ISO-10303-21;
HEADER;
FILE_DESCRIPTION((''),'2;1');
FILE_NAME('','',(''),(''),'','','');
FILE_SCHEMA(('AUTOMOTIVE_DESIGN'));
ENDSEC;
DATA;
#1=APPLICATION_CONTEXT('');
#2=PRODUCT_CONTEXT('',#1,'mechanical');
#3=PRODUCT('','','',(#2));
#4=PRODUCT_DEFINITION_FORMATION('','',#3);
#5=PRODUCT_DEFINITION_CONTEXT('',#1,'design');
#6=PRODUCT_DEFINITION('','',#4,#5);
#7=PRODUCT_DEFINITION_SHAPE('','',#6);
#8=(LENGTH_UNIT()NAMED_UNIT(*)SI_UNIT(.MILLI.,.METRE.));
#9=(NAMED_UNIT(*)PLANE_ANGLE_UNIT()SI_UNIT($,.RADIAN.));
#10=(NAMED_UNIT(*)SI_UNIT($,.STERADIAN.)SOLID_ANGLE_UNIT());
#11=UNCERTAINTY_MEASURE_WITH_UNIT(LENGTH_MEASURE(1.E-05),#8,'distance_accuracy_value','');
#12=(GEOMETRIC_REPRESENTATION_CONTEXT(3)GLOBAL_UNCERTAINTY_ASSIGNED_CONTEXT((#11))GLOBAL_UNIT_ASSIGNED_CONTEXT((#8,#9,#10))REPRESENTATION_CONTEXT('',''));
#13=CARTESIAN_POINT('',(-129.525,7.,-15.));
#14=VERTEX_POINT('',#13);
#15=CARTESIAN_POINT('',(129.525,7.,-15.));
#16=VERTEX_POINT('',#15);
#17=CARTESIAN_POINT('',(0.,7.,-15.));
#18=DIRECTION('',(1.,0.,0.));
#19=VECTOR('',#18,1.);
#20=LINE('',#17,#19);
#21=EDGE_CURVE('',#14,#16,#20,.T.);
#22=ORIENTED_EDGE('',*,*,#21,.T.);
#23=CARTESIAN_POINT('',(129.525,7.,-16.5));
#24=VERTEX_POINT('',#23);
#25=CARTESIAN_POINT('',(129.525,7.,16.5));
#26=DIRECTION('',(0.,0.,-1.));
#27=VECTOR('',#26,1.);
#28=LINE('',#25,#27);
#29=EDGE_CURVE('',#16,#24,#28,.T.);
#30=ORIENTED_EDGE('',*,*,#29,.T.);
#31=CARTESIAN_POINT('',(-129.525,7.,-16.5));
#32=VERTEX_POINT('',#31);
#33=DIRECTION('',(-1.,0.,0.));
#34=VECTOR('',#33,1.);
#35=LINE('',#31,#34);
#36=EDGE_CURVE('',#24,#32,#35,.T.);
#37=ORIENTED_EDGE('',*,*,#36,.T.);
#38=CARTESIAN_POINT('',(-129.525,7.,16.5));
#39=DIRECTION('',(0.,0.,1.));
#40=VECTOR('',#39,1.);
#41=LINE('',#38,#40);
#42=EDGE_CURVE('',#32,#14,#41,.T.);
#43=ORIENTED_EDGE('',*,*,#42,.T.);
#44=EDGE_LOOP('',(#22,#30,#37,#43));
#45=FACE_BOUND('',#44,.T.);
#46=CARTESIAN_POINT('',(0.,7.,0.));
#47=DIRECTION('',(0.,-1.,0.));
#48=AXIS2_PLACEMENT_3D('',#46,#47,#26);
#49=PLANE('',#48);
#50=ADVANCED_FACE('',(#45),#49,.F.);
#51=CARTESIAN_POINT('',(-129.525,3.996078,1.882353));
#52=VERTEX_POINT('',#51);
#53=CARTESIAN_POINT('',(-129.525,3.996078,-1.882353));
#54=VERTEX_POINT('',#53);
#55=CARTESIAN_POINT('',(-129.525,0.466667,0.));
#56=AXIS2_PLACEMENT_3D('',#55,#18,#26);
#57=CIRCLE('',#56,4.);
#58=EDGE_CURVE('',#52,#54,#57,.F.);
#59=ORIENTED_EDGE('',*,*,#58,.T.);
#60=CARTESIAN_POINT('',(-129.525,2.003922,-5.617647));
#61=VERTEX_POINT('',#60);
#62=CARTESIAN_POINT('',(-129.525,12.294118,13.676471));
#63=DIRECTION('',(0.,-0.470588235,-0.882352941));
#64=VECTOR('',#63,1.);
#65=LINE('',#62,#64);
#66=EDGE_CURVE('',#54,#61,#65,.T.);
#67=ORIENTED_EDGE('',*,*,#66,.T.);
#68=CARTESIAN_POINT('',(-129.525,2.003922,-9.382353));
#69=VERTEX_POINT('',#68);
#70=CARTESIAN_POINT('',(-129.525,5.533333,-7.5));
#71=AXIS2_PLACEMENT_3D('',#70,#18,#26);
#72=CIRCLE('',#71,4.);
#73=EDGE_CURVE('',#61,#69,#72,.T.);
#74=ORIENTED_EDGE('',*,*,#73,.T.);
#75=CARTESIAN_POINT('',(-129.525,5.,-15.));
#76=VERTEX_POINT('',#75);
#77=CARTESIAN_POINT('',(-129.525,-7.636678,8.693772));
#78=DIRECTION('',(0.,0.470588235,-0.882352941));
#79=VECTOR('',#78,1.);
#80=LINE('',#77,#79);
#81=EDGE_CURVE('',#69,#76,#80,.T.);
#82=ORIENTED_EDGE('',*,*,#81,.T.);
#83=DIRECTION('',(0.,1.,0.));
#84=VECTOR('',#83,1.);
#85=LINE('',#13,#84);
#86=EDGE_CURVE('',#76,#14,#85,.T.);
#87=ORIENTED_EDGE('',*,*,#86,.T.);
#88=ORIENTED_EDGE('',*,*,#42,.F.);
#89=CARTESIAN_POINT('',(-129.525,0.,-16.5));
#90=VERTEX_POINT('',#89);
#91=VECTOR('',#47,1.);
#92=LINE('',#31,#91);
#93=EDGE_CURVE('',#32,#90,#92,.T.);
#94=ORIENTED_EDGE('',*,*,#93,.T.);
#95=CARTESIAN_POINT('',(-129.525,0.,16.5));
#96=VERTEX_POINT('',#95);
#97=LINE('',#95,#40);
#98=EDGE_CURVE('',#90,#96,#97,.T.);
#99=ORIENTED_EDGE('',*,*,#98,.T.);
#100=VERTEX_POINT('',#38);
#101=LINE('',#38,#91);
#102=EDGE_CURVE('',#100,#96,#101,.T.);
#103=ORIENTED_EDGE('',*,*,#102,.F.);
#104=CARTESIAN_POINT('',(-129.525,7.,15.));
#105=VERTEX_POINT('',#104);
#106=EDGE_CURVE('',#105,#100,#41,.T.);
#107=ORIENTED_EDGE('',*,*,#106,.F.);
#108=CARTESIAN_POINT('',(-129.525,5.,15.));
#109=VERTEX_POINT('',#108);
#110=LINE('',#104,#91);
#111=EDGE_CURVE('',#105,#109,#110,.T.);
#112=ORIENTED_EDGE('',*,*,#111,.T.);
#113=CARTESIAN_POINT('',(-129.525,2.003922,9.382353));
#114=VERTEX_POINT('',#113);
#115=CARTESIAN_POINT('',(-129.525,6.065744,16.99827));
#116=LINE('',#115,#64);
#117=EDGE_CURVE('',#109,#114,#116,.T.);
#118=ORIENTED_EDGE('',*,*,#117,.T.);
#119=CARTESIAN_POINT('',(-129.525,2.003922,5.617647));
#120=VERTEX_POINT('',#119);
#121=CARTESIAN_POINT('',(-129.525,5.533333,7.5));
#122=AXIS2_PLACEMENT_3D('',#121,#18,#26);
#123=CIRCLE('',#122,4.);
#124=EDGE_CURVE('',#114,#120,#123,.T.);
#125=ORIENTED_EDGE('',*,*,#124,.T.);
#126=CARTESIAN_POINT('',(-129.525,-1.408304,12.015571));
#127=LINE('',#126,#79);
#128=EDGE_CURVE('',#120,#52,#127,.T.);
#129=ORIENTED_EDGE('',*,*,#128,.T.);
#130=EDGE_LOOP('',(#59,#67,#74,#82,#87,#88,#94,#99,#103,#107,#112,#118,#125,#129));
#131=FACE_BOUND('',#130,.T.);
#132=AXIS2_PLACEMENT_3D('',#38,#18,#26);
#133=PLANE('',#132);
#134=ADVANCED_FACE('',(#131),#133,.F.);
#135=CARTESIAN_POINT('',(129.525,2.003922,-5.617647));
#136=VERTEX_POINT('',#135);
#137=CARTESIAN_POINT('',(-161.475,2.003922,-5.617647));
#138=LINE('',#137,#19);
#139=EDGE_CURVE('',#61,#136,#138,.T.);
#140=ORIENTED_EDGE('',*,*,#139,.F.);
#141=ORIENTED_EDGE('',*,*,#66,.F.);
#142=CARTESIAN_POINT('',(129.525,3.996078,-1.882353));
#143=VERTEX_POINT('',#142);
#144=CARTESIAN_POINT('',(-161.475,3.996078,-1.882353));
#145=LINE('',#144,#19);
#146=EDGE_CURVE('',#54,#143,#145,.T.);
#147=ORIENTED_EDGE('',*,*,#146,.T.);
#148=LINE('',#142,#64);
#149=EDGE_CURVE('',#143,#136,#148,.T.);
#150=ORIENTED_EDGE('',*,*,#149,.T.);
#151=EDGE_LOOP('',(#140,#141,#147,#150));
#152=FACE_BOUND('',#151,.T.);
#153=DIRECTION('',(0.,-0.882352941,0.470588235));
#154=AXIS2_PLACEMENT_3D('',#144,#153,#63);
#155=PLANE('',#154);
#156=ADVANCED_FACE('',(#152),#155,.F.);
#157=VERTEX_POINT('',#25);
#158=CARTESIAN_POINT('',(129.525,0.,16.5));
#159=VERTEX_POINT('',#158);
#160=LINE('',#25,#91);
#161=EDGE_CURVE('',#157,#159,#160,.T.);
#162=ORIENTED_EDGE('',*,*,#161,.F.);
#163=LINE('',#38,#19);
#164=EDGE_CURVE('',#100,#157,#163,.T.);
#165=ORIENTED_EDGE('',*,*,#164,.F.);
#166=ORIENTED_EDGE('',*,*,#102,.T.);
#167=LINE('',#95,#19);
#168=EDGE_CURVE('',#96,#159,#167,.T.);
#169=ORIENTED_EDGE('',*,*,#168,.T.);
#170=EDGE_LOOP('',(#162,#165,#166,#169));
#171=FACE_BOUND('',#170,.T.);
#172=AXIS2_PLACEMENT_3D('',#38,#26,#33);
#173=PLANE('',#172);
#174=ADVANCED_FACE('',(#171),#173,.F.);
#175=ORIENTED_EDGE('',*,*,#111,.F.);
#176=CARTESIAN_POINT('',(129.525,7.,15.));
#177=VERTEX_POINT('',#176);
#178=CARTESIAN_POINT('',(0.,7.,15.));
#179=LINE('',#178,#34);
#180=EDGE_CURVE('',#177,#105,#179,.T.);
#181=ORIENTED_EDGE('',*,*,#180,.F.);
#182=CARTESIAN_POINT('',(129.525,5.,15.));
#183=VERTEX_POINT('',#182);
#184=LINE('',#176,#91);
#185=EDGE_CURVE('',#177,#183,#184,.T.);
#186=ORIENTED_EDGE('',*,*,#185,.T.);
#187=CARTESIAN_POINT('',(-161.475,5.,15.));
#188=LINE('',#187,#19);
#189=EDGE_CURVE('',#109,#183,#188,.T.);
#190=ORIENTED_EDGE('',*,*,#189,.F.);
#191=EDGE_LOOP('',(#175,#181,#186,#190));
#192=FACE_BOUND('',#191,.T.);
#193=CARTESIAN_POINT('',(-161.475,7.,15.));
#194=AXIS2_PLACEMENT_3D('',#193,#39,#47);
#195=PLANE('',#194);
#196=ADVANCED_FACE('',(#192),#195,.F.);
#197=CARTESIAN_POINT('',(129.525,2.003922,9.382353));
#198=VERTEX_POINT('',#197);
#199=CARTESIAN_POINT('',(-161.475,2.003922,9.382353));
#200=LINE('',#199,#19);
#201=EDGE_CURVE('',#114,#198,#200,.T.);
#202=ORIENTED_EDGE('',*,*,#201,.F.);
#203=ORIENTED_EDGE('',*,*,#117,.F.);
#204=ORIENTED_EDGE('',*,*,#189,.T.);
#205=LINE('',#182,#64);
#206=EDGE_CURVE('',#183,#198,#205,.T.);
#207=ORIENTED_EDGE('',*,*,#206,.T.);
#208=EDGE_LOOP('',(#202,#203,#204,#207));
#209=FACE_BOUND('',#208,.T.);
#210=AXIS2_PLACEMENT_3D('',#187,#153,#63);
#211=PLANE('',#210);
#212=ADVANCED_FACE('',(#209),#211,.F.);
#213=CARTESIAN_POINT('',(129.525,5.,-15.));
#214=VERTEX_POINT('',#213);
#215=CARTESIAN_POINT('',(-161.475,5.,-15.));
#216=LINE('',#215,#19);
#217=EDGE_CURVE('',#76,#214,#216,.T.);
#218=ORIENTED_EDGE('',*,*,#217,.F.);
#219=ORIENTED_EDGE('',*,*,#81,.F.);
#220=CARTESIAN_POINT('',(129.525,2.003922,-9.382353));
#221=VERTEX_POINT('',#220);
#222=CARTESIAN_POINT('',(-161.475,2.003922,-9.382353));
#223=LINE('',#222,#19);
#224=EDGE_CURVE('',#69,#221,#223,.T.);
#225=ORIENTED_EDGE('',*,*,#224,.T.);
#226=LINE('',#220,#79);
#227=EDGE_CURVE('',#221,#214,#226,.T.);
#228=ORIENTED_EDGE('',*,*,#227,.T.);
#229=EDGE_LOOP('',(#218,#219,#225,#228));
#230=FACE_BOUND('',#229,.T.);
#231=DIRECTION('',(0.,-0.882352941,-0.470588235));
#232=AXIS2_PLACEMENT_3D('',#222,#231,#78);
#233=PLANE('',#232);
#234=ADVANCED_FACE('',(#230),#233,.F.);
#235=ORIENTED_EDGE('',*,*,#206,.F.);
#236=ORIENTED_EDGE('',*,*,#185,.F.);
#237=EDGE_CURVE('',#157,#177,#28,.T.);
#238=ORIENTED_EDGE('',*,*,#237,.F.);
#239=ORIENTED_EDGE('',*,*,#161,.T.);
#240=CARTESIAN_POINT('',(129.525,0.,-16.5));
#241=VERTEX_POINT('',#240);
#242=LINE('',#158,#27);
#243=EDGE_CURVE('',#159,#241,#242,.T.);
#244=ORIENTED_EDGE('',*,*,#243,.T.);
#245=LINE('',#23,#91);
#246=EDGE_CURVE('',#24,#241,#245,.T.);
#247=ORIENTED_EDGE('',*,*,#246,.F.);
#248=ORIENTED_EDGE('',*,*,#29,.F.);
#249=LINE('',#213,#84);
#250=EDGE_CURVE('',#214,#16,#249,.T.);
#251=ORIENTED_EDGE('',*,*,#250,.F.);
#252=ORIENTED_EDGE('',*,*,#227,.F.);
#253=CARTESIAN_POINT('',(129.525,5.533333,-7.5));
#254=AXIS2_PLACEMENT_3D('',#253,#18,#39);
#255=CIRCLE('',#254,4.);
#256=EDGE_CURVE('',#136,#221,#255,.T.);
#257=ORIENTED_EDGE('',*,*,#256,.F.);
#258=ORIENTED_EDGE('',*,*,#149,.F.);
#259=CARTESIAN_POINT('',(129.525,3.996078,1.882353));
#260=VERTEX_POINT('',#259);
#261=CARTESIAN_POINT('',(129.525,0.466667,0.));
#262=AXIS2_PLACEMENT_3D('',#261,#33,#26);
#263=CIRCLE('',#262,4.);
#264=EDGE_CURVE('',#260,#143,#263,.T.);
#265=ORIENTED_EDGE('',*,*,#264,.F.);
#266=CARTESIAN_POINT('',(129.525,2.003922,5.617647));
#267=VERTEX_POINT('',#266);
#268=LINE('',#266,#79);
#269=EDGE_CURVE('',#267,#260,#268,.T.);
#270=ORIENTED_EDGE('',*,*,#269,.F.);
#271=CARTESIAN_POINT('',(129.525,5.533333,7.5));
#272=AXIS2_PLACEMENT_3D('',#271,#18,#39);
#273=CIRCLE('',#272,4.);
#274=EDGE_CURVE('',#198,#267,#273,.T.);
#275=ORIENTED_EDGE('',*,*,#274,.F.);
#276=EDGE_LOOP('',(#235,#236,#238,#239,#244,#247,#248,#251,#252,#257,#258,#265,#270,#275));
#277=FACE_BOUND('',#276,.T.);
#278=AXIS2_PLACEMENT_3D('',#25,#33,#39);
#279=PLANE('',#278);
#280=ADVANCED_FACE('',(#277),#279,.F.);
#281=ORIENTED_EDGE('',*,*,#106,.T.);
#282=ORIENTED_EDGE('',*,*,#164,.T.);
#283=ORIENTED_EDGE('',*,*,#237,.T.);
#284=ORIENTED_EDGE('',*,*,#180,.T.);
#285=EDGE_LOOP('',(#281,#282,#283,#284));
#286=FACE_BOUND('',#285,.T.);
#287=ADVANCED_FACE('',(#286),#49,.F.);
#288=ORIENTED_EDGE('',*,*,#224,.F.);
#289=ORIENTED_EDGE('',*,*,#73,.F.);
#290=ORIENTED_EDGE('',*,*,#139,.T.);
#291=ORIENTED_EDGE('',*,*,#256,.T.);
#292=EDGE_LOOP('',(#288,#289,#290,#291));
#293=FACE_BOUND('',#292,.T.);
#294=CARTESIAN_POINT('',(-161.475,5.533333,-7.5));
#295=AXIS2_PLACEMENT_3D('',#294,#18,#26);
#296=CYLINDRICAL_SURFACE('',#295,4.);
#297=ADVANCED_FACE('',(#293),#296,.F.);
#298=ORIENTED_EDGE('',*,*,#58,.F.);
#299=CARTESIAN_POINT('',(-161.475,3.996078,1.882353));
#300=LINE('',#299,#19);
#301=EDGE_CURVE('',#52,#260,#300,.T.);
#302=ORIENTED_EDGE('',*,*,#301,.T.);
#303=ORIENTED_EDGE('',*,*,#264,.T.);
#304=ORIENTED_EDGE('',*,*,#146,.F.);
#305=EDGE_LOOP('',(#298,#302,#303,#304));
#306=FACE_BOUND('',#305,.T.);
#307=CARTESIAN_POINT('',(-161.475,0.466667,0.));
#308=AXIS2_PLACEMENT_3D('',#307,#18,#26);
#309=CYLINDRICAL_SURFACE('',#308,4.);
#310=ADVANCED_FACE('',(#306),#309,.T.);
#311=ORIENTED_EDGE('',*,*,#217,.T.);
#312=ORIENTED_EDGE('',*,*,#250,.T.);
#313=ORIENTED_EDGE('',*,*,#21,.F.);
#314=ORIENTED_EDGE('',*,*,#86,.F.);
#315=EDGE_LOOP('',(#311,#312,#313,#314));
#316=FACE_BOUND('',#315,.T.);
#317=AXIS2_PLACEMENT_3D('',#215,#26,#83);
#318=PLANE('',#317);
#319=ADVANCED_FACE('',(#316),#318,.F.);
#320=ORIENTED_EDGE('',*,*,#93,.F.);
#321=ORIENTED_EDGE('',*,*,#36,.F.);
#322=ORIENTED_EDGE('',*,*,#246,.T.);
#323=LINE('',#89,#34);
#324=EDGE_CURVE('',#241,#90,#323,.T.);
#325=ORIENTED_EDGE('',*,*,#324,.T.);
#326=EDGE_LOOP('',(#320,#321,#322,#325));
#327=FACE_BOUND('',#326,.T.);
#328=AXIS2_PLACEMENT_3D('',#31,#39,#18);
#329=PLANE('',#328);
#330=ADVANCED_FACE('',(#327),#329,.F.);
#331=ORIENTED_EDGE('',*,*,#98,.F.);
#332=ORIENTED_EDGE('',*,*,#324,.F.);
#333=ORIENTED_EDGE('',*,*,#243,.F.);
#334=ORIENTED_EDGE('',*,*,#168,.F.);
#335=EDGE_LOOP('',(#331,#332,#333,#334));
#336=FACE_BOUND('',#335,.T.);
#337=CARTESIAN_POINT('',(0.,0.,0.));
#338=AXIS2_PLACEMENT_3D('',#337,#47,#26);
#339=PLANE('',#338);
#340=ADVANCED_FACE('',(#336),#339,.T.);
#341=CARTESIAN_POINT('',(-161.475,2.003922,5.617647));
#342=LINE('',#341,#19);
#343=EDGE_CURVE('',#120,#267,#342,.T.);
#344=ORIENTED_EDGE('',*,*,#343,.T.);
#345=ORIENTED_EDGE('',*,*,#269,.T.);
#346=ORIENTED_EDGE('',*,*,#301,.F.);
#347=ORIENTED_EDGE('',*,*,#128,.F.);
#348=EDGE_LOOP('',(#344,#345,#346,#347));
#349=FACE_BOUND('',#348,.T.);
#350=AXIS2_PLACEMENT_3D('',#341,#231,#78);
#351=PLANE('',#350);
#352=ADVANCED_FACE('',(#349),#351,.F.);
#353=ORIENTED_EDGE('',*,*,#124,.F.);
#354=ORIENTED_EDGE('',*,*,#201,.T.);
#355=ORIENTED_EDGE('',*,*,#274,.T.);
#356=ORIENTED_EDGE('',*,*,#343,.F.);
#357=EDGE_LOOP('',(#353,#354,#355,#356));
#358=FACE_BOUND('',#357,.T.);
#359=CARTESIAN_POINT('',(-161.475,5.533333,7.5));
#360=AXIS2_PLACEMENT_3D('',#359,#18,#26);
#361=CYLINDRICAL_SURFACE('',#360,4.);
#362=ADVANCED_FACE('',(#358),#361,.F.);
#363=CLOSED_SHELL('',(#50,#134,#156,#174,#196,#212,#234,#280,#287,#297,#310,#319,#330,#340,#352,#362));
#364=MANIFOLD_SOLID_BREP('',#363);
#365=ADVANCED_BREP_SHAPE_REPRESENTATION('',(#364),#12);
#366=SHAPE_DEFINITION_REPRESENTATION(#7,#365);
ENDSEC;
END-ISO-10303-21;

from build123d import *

# Parameters (mm, degrees)
IZIM1_W                     = 259.05
IZIM1_H                     = 33
Y_KSEKLIK_EKSTR_ZYON1_DEPTH = 7
IZIM2_W                     = 30
IZIM2_H                     = 2
KES_EKSTR_ZYON1_DEPTH       = 291
KES_EKSTR_ZYON2_DEPTH       = 291


with BuildPart() as part:
    # Çizim1 → Yükseklik-Ekstrüzyon1 (new body)
    with BuildSketch(Plane(origin=(0, 0, 0), x_dir=(1, 0, 0), z_dir=(0, 1, 0))):
        Rectangle(IZIM1_W, IZIM1_H)
    extrude(amount=Y_KSEKLIK_EKSTR_ZYON1_DEPTH)

    # Çizim2 → Kes-Ekstrüzyon1 (cut)
    with BuildSketch(Plane(origin=(129.525, 0, 0), x_dir=(0, 0, -1), z_dir=(1, 0, 0))):
        with Locations((0, 6)):
            Rectangle(IZIM2_W, IZIM2_H)
    extrude(amount=-KES_EKSTR_ZYON1_DEPTH, mode=Mode.SUBTRACT)

    # Çizim3 → Kes-Ekstrüzyon2 (cut)
    with BuildSketch(Plane(origin=(129.525, 0, 0), x_dir=(0, 0, -1), z_dir=(1, 0, 0))):
        with BuildLine():
            Line((-15, 5), (15, 5))
            Line((15, 5), (9.382352941, 2.003921569))
            ThreePointArc((9.382352941, 2.003921569), (7.5, 1.533333333), (5.617647059, 2.003921569))
            Line((5.617647059, 2.003921569), (1.882352941, 3.996078431))
            ThreePointArc((1.882352941, 3.996078431), (0, 4.466666667), (-1.882352941, 3.996078431))
            Line((-1.882352941, 3.996078431), (-5.617647059, 2.003921569))
            ThreePointArc((-5.617647059, 2.003921569), (-7.5, 1.533333333), (-9.382352941, 2.003921569))
            Line((-9.382352941, 2.003921569), (-15, 5))
        make_face()
    extrude(amount=-KES_EKSTR_ZYON2_DEPTH, mode=Mode.SUBTRACT)


solid = part.part
